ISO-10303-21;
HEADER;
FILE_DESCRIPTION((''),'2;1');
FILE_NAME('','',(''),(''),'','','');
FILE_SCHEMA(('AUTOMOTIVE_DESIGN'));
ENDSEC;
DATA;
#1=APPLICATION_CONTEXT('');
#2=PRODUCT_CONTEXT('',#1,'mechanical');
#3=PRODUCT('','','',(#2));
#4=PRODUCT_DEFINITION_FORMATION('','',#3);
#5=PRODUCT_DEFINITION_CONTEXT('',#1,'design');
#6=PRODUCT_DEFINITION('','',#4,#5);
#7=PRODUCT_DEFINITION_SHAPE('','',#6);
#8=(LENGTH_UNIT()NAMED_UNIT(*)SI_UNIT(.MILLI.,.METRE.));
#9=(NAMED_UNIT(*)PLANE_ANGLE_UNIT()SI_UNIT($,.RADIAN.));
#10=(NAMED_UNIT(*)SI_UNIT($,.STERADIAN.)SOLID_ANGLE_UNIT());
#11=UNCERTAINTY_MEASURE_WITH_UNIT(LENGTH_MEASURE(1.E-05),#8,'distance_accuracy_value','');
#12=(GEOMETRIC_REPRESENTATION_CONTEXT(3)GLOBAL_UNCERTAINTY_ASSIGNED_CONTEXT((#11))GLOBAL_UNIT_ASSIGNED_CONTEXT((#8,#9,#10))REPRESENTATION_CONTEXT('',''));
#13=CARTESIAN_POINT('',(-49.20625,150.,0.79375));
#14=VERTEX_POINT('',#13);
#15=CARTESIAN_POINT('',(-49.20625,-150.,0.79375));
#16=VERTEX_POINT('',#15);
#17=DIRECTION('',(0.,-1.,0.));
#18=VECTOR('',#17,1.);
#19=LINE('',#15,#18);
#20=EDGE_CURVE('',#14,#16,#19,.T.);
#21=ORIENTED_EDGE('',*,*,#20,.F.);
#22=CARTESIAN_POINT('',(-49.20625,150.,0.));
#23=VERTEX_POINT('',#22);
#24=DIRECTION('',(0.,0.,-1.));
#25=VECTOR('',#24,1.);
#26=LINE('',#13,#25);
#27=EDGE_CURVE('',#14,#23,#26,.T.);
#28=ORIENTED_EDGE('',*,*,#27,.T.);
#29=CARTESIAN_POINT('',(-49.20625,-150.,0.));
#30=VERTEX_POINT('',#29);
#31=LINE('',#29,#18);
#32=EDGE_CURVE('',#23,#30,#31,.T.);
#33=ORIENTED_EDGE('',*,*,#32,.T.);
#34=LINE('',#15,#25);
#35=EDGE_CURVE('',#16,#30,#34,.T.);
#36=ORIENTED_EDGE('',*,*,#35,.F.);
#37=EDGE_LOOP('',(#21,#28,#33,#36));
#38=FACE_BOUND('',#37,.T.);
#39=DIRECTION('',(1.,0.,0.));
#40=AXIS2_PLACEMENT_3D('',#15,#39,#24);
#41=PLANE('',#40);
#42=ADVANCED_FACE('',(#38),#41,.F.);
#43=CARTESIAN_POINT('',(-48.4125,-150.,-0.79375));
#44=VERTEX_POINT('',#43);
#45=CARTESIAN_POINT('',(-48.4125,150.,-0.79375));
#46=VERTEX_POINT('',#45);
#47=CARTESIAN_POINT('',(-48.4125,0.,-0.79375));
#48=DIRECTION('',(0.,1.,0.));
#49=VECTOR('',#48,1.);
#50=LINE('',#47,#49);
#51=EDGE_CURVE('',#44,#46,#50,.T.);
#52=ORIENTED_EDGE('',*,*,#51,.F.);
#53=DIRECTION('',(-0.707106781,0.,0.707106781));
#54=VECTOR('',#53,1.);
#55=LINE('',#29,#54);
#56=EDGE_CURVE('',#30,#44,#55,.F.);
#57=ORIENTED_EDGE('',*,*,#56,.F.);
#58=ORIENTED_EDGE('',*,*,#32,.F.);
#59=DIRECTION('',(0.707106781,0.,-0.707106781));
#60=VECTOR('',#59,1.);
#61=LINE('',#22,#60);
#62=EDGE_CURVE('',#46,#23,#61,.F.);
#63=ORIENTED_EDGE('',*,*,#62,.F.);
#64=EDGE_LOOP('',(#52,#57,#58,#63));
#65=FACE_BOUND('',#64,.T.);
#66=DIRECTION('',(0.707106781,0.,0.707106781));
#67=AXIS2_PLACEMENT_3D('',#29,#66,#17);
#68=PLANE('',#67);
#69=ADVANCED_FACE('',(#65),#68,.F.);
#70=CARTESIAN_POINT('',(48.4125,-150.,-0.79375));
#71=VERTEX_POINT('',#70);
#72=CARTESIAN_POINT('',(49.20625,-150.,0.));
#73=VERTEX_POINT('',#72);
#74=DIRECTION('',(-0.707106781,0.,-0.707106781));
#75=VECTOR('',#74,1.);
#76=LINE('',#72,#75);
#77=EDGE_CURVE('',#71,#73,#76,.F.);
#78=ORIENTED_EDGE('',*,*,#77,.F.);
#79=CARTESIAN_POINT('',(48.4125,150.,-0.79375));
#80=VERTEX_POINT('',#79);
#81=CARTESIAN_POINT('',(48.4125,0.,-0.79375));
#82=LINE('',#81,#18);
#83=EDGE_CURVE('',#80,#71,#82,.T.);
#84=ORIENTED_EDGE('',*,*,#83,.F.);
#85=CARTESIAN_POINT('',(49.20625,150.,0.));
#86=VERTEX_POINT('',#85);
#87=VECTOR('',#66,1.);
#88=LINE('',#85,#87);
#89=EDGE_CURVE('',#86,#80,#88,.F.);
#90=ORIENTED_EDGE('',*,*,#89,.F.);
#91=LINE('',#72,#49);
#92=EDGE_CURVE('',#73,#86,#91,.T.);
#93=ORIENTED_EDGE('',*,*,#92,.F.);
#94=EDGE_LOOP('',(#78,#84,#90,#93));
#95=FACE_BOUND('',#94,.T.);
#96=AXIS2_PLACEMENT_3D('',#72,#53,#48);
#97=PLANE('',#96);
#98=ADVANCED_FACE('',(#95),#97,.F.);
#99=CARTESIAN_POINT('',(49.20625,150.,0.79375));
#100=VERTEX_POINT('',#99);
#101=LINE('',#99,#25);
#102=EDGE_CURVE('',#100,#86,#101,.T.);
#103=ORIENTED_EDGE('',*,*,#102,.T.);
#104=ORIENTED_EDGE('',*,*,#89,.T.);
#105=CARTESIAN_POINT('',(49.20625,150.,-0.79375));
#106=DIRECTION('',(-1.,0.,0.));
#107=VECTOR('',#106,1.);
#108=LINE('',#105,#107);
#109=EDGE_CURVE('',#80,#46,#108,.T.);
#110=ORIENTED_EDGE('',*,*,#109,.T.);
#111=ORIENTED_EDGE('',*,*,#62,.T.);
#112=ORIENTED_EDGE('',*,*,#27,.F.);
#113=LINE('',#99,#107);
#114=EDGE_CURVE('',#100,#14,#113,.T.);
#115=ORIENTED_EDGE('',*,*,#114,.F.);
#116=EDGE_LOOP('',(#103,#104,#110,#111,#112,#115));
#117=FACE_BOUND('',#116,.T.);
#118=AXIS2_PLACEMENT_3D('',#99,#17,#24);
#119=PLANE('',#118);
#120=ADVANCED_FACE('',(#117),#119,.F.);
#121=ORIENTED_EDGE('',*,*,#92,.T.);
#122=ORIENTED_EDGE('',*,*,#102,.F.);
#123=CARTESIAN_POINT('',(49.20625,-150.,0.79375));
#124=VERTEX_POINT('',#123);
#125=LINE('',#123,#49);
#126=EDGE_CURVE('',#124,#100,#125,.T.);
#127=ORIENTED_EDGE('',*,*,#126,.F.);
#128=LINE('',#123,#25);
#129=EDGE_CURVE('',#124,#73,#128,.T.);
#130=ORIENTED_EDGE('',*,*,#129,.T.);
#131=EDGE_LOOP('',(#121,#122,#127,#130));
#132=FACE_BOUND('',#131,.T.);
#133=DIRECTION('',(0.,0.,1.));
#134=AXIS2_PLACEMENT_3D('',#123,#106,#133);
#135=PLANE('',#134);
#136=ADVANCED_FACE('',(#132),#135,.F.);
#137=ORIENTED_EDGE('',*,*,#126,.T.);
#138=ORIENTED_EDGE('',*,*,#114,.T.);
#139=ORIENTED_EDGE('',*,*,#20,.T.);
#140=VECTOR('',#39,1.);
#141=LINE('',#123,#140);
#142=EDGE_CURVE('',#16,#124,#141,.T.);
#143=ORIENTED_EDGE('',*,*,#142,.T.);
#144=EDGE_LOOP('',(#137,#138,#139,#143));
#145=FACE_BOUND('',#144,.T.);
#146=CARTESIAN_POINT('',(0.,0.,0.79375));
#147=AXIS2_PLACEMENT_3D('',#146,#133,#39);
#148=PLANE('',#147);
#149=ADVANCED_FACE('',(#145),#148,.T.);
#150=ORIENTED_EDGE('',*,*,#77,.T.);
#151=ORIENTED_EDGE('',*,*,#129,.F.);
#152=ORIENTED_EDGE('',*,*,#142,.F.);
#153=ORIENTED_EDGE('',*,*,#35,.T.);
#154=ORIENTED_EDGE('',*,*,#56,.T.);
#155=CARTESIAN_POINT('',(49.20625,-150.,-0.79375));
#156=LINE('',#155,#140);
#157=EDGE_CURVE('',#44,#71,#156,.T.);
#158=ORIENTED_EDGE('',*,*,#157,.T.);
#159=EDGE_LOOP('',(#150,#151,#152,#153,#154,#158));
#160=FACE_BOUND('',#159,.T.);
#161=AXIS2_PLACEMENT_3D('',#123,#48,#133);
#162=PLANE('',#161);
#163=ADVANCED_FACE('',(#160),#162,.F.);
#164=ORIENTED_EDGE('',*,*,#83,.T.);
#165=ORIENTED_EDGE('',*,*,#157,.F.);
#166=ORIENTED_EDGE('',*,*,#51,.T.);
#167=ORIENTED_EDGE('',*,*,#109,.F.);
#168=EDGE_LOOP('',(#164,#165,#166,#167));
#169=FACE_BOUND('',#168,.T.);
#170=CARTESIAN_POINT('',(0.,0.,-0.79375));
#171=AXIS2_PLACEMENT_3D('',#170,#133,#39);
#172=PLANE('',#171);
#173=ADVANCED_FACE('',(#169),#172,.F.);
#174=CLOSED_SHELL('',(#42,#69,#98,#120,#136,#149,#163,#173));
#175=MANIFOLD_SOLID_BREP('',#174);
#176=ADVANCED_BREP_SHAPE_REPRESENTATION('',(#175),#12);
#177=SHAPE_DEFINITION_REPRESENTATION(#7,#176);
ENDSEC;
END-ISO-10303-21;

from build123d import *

# Parameters (mm, degrees)
SKETCH1_W           = 98.4125
SKETCH1_H           = 300
BOSS_EXTRUDE1_DEPTH = 0.79375
CHAMFER1_SIZE       = 0.79375


with BuildPart() as part:
    # Sketch1 → Boss-Extrude1 (new body, symmetric)
    with BuildSketch(Plane.XY):
        Rectangle(SKETCH1_W, SKETCH1_H)
    extrude(amount=BOSS_EXTRUDE1_DEPTH, both=True)

    # Chamfer1
    chamfer1_edges = [part.edges().sort_by_distance(p)[0] for p in [
        (49.20625, 0, -0.79375),
        (-49.20625, 0, -0.79375),
    ]]
    chamfer(chamfer1_edges, length=CHAMFER1_SIZE)


solid = part.part
